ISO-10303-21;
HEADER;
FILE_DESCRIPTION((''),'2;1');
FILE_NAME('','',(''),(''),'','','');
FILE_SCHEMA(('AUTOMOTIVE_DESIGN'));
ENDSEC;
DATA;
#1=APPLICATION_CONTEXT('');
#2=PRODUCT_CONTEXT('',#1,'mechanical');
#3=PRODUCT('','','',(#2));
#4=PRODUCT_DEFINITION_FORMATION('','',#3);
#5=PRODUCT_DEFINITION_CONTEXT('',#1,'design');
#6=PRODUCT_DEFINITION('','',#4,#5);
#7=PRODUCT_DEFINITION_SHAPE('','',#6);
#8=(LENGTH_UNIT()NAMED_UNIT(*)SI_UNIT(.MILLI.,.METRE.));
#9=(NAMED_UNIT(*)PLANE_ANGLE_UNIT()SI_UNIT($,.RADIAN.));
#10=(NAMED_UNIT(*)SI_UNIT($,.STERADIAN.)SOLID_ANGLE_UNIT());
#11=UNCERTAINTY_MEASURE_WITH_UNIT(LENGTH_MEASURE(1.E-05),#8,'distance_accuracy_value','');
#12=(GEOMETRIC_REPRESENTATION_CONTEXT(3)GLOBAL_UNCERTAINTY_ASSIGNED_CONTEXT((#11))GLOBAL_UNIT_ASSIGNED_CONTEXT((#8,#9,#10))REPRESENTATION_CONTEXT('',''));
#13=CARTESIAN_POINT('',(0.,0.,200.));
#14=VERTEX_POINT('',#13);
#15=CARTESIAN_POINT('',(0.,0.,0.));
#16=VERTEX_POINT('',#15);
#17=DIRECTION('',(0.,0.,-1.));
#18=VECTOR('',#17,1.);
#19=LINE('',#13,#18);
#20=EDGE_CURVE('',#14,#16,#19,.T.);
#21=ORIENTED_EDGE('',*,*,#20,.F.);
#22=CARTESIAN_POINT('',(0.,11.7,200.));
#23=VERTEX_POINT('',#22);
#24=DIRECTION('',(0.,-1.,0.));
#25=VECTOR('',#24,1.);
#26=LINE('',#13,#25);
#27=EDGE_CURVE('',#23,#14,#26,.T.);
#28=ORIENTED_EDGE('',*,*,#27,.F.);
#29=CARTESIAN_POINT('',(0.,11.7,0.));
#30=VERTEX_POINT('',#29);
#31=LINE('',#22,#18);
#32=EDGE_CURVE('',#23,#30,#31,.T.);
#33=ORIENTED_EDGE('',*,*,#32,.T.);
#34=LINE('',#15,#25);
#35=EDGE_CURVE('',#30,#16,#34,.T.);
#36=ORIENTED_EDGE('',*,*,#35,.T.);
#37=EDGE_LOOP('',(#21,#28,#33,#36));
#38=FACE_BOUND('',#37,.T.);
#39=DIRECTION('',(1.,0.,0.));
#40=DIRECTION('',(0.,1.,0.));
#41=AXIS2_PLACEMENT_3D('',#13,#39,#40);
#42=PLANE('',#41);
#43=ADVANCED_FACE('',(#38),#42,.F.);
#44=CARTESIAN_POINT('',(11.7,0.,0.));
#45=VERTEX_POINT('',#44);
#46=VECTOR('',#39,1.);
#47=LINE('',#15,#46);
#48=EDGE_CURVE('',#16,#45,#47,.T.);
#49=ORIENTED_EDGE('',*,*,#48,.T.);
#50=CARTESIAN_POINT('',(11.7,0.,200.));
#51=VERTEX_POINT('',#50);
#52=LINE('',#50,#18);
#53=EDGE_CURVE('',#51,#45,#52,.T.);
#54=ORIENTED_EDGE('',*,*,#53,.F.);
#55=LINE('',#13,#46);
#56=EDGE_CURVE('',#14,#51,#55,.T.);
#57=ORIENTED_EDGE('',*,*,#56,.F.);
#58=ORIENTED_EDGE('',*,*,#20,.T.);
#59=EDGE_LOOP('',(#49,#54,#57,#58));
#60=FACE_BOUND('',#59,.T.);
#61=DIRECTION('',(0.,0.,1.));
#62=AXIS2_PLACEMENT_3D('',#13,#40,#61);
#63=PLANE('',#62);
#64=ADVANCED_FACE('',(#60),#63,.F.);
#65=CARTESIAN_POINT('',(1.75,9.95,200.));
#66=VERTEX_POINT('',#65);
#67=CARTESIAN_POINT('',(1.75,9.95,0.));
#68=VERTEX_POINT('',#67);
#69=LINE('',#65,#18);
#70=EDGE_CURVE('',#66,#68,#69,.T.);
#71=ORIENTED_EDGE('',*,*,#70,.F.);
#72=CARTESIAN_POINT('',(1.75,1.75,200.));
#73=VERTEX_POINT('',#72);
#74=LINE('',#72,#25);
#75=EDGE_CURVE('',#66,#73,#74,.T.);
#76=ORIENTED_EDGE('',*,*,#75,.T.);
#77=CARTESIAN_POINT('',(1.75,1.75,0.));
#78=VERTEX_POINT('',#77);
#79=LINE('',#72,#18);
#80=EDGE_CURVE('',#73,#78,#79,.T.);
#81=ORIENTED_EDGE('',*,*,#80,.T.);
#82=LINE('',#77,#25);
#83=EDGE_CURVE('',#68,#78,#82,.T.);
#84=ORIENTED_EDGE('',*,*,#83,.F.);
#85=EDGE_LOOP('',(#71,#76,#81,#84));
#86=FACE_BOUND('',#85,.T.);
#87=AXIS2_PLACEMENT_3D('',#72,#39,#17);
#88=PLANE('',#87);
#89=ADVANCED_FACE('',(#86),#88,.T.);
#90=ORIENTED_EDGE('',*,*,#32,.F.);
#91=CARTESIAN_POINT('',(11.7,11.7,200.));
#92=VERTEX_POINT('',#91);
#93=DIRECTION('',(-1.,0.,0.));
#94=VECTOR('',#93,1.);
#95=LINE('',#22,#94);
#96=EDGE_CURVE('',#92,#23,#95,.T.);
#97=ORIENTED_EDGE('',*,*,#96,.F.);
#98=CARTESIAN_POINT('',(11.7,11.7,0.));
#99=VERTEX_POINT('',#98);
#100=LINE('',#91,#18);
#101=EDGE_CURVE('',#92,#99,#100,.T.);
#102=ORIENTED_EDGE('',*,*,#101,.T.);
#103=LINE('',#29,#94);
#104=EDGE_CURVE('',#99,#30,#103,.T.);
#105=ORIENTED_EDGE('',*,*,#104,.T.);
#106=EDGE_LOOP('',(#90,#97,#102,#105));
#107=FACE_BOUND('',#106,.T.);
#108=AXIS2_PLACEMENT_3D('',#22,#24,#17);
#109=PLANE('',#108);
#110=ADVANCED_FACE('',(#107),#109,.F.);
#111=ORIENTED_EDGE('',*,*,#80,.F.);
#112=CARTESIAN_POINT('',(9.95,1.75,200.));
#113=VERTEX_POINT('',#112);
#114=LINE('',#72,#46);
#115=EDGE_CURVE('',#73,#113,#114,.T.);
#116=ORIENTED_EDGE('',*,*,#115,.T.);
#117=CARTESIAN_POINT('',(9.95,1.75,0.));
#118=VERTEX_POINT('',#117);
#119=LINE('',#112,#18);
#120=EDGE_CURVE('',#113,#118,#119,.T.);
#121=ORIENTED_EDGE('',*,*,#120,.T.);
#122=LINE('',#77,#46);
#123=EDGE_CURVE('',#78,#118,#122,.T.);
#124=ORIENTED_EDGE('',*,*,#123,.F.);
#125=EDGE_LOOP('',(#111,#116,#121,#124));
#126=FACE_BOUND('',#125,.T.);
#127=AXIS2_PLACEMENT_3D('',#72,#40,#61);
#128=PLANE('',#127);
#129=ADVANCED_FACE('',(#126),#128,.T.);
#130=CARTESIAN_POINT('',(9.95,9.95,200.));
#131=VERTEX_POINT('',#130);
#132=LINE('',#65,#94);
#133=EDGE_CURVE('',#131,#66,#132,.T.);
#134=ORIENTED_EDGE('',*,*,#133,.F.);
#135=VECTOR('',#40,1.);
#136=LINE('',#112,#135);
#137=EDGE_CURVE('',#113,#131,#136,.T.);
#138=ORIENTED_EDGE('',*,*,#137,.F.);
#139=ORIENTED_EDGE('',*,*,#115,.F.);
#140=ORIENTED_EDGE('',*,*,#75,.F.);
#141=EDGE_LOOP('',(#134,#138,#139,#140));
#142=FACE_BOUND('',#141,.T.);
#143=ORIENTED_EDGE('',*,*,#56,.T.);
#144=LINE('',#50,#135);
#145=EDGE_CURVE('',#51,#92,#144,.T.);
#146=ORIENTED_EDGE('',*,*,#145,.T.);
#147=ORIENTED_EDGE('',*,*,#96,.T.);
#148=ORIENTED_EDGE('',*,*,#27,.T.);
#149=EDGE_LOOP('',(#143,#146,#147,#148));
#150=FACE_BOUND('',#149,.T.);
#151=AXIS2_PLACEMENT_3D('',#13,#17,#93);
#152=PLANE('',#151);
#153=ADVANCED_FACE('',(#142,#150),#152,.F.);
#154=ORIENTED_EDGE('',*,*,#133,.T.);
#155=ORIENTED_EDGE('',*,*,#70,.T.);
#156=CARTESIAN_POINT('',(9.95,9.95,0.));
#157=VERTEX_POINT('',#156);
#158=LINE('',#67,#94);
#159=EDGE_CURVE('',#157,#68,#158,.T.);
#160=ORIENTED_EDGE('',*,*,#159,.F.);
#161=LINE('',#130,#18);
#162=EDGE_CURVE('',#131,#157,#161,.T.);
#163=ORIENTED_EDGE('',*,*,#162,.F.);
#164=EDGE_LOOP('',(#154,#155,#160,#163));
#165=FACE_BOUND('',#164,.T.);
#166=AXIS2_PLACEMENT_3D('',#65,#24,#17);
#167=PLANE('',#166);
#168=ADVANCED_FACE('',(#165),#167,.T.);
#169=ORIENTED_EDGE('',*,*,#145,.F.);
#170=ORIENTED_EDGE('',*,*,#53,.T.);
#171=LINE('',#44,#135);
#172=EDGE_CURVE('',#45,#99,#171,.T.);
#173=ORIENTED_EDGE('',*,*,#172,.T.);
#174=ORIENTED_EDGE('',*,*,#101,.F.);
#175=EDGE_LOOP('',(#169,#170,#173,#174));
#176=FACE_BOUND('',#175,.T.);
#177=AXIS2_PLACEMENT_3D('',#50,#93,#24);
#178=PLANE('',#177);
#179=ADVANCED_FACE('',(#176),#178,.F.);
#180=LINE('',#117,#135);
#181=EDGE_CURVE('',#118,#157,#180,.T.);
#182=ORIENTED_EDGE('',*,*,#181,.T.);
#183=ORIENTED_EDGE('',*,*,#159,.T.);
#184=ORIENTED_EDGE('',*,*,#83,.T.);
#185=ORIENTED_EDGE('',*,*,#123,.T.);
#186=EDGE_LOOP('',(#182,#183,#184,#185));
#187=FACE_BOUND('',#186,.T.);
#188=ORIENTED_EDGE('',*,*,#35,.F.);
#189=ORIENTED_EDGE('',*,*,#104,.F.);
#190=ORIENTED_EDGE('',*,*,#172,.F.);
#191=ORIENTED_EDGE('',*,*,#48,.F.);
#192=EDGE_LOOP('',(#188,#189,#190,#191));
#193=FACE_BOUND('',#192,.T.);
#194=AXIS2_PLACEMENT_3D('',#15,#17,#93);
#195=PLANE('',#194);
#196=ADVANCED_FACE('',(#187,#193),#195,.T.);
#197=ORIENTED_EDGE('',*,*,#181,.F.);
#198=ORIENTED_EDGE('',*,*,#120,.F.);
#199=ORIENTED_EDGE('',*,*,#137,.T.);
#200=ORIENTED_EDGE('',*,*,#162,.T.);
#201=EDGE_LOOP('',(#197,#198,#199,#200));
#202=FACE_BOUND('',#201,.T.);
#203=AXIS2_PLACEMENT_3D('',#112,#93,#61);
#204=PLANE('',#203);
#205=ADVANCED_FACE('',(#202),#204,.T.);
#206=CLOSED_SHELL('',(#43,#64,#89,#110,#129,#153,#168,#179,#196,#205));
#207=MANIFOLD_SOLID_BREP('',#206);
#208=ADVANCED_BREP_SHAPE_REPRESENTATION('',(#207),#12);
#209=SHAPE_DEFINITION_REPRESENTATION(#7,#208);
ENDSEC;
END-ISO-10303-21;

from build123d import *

# Parameters (mm, degrees)
ESQUISSE1_W        = 11.7
ESQUISSE1_H        = 11.7
ESQUISSE1_W_2      = 8.2
ESQUISSE1_H_2      = 8.2
BOSS_EXTRU_1_DEPTH = 200


with BuildPart() as part:
    # Esquisse1 → Boss.-Extru.1 (new body)
    with BuildSketch(Plane.XY):
        with Locations((5.85, 5.85)):
            Rectangle(ESQUISSE1_W, ESQUISSE1_H)
        with Locations((5.85, 5.85)):
            Rectangle(ESQUISSE1_W_2, ESQUISSE1_H_2, mode=Mode.SUBTRACT)
    extrude(amount=BOSS_EXTRU_1_DEPTH)


solid = part.part
